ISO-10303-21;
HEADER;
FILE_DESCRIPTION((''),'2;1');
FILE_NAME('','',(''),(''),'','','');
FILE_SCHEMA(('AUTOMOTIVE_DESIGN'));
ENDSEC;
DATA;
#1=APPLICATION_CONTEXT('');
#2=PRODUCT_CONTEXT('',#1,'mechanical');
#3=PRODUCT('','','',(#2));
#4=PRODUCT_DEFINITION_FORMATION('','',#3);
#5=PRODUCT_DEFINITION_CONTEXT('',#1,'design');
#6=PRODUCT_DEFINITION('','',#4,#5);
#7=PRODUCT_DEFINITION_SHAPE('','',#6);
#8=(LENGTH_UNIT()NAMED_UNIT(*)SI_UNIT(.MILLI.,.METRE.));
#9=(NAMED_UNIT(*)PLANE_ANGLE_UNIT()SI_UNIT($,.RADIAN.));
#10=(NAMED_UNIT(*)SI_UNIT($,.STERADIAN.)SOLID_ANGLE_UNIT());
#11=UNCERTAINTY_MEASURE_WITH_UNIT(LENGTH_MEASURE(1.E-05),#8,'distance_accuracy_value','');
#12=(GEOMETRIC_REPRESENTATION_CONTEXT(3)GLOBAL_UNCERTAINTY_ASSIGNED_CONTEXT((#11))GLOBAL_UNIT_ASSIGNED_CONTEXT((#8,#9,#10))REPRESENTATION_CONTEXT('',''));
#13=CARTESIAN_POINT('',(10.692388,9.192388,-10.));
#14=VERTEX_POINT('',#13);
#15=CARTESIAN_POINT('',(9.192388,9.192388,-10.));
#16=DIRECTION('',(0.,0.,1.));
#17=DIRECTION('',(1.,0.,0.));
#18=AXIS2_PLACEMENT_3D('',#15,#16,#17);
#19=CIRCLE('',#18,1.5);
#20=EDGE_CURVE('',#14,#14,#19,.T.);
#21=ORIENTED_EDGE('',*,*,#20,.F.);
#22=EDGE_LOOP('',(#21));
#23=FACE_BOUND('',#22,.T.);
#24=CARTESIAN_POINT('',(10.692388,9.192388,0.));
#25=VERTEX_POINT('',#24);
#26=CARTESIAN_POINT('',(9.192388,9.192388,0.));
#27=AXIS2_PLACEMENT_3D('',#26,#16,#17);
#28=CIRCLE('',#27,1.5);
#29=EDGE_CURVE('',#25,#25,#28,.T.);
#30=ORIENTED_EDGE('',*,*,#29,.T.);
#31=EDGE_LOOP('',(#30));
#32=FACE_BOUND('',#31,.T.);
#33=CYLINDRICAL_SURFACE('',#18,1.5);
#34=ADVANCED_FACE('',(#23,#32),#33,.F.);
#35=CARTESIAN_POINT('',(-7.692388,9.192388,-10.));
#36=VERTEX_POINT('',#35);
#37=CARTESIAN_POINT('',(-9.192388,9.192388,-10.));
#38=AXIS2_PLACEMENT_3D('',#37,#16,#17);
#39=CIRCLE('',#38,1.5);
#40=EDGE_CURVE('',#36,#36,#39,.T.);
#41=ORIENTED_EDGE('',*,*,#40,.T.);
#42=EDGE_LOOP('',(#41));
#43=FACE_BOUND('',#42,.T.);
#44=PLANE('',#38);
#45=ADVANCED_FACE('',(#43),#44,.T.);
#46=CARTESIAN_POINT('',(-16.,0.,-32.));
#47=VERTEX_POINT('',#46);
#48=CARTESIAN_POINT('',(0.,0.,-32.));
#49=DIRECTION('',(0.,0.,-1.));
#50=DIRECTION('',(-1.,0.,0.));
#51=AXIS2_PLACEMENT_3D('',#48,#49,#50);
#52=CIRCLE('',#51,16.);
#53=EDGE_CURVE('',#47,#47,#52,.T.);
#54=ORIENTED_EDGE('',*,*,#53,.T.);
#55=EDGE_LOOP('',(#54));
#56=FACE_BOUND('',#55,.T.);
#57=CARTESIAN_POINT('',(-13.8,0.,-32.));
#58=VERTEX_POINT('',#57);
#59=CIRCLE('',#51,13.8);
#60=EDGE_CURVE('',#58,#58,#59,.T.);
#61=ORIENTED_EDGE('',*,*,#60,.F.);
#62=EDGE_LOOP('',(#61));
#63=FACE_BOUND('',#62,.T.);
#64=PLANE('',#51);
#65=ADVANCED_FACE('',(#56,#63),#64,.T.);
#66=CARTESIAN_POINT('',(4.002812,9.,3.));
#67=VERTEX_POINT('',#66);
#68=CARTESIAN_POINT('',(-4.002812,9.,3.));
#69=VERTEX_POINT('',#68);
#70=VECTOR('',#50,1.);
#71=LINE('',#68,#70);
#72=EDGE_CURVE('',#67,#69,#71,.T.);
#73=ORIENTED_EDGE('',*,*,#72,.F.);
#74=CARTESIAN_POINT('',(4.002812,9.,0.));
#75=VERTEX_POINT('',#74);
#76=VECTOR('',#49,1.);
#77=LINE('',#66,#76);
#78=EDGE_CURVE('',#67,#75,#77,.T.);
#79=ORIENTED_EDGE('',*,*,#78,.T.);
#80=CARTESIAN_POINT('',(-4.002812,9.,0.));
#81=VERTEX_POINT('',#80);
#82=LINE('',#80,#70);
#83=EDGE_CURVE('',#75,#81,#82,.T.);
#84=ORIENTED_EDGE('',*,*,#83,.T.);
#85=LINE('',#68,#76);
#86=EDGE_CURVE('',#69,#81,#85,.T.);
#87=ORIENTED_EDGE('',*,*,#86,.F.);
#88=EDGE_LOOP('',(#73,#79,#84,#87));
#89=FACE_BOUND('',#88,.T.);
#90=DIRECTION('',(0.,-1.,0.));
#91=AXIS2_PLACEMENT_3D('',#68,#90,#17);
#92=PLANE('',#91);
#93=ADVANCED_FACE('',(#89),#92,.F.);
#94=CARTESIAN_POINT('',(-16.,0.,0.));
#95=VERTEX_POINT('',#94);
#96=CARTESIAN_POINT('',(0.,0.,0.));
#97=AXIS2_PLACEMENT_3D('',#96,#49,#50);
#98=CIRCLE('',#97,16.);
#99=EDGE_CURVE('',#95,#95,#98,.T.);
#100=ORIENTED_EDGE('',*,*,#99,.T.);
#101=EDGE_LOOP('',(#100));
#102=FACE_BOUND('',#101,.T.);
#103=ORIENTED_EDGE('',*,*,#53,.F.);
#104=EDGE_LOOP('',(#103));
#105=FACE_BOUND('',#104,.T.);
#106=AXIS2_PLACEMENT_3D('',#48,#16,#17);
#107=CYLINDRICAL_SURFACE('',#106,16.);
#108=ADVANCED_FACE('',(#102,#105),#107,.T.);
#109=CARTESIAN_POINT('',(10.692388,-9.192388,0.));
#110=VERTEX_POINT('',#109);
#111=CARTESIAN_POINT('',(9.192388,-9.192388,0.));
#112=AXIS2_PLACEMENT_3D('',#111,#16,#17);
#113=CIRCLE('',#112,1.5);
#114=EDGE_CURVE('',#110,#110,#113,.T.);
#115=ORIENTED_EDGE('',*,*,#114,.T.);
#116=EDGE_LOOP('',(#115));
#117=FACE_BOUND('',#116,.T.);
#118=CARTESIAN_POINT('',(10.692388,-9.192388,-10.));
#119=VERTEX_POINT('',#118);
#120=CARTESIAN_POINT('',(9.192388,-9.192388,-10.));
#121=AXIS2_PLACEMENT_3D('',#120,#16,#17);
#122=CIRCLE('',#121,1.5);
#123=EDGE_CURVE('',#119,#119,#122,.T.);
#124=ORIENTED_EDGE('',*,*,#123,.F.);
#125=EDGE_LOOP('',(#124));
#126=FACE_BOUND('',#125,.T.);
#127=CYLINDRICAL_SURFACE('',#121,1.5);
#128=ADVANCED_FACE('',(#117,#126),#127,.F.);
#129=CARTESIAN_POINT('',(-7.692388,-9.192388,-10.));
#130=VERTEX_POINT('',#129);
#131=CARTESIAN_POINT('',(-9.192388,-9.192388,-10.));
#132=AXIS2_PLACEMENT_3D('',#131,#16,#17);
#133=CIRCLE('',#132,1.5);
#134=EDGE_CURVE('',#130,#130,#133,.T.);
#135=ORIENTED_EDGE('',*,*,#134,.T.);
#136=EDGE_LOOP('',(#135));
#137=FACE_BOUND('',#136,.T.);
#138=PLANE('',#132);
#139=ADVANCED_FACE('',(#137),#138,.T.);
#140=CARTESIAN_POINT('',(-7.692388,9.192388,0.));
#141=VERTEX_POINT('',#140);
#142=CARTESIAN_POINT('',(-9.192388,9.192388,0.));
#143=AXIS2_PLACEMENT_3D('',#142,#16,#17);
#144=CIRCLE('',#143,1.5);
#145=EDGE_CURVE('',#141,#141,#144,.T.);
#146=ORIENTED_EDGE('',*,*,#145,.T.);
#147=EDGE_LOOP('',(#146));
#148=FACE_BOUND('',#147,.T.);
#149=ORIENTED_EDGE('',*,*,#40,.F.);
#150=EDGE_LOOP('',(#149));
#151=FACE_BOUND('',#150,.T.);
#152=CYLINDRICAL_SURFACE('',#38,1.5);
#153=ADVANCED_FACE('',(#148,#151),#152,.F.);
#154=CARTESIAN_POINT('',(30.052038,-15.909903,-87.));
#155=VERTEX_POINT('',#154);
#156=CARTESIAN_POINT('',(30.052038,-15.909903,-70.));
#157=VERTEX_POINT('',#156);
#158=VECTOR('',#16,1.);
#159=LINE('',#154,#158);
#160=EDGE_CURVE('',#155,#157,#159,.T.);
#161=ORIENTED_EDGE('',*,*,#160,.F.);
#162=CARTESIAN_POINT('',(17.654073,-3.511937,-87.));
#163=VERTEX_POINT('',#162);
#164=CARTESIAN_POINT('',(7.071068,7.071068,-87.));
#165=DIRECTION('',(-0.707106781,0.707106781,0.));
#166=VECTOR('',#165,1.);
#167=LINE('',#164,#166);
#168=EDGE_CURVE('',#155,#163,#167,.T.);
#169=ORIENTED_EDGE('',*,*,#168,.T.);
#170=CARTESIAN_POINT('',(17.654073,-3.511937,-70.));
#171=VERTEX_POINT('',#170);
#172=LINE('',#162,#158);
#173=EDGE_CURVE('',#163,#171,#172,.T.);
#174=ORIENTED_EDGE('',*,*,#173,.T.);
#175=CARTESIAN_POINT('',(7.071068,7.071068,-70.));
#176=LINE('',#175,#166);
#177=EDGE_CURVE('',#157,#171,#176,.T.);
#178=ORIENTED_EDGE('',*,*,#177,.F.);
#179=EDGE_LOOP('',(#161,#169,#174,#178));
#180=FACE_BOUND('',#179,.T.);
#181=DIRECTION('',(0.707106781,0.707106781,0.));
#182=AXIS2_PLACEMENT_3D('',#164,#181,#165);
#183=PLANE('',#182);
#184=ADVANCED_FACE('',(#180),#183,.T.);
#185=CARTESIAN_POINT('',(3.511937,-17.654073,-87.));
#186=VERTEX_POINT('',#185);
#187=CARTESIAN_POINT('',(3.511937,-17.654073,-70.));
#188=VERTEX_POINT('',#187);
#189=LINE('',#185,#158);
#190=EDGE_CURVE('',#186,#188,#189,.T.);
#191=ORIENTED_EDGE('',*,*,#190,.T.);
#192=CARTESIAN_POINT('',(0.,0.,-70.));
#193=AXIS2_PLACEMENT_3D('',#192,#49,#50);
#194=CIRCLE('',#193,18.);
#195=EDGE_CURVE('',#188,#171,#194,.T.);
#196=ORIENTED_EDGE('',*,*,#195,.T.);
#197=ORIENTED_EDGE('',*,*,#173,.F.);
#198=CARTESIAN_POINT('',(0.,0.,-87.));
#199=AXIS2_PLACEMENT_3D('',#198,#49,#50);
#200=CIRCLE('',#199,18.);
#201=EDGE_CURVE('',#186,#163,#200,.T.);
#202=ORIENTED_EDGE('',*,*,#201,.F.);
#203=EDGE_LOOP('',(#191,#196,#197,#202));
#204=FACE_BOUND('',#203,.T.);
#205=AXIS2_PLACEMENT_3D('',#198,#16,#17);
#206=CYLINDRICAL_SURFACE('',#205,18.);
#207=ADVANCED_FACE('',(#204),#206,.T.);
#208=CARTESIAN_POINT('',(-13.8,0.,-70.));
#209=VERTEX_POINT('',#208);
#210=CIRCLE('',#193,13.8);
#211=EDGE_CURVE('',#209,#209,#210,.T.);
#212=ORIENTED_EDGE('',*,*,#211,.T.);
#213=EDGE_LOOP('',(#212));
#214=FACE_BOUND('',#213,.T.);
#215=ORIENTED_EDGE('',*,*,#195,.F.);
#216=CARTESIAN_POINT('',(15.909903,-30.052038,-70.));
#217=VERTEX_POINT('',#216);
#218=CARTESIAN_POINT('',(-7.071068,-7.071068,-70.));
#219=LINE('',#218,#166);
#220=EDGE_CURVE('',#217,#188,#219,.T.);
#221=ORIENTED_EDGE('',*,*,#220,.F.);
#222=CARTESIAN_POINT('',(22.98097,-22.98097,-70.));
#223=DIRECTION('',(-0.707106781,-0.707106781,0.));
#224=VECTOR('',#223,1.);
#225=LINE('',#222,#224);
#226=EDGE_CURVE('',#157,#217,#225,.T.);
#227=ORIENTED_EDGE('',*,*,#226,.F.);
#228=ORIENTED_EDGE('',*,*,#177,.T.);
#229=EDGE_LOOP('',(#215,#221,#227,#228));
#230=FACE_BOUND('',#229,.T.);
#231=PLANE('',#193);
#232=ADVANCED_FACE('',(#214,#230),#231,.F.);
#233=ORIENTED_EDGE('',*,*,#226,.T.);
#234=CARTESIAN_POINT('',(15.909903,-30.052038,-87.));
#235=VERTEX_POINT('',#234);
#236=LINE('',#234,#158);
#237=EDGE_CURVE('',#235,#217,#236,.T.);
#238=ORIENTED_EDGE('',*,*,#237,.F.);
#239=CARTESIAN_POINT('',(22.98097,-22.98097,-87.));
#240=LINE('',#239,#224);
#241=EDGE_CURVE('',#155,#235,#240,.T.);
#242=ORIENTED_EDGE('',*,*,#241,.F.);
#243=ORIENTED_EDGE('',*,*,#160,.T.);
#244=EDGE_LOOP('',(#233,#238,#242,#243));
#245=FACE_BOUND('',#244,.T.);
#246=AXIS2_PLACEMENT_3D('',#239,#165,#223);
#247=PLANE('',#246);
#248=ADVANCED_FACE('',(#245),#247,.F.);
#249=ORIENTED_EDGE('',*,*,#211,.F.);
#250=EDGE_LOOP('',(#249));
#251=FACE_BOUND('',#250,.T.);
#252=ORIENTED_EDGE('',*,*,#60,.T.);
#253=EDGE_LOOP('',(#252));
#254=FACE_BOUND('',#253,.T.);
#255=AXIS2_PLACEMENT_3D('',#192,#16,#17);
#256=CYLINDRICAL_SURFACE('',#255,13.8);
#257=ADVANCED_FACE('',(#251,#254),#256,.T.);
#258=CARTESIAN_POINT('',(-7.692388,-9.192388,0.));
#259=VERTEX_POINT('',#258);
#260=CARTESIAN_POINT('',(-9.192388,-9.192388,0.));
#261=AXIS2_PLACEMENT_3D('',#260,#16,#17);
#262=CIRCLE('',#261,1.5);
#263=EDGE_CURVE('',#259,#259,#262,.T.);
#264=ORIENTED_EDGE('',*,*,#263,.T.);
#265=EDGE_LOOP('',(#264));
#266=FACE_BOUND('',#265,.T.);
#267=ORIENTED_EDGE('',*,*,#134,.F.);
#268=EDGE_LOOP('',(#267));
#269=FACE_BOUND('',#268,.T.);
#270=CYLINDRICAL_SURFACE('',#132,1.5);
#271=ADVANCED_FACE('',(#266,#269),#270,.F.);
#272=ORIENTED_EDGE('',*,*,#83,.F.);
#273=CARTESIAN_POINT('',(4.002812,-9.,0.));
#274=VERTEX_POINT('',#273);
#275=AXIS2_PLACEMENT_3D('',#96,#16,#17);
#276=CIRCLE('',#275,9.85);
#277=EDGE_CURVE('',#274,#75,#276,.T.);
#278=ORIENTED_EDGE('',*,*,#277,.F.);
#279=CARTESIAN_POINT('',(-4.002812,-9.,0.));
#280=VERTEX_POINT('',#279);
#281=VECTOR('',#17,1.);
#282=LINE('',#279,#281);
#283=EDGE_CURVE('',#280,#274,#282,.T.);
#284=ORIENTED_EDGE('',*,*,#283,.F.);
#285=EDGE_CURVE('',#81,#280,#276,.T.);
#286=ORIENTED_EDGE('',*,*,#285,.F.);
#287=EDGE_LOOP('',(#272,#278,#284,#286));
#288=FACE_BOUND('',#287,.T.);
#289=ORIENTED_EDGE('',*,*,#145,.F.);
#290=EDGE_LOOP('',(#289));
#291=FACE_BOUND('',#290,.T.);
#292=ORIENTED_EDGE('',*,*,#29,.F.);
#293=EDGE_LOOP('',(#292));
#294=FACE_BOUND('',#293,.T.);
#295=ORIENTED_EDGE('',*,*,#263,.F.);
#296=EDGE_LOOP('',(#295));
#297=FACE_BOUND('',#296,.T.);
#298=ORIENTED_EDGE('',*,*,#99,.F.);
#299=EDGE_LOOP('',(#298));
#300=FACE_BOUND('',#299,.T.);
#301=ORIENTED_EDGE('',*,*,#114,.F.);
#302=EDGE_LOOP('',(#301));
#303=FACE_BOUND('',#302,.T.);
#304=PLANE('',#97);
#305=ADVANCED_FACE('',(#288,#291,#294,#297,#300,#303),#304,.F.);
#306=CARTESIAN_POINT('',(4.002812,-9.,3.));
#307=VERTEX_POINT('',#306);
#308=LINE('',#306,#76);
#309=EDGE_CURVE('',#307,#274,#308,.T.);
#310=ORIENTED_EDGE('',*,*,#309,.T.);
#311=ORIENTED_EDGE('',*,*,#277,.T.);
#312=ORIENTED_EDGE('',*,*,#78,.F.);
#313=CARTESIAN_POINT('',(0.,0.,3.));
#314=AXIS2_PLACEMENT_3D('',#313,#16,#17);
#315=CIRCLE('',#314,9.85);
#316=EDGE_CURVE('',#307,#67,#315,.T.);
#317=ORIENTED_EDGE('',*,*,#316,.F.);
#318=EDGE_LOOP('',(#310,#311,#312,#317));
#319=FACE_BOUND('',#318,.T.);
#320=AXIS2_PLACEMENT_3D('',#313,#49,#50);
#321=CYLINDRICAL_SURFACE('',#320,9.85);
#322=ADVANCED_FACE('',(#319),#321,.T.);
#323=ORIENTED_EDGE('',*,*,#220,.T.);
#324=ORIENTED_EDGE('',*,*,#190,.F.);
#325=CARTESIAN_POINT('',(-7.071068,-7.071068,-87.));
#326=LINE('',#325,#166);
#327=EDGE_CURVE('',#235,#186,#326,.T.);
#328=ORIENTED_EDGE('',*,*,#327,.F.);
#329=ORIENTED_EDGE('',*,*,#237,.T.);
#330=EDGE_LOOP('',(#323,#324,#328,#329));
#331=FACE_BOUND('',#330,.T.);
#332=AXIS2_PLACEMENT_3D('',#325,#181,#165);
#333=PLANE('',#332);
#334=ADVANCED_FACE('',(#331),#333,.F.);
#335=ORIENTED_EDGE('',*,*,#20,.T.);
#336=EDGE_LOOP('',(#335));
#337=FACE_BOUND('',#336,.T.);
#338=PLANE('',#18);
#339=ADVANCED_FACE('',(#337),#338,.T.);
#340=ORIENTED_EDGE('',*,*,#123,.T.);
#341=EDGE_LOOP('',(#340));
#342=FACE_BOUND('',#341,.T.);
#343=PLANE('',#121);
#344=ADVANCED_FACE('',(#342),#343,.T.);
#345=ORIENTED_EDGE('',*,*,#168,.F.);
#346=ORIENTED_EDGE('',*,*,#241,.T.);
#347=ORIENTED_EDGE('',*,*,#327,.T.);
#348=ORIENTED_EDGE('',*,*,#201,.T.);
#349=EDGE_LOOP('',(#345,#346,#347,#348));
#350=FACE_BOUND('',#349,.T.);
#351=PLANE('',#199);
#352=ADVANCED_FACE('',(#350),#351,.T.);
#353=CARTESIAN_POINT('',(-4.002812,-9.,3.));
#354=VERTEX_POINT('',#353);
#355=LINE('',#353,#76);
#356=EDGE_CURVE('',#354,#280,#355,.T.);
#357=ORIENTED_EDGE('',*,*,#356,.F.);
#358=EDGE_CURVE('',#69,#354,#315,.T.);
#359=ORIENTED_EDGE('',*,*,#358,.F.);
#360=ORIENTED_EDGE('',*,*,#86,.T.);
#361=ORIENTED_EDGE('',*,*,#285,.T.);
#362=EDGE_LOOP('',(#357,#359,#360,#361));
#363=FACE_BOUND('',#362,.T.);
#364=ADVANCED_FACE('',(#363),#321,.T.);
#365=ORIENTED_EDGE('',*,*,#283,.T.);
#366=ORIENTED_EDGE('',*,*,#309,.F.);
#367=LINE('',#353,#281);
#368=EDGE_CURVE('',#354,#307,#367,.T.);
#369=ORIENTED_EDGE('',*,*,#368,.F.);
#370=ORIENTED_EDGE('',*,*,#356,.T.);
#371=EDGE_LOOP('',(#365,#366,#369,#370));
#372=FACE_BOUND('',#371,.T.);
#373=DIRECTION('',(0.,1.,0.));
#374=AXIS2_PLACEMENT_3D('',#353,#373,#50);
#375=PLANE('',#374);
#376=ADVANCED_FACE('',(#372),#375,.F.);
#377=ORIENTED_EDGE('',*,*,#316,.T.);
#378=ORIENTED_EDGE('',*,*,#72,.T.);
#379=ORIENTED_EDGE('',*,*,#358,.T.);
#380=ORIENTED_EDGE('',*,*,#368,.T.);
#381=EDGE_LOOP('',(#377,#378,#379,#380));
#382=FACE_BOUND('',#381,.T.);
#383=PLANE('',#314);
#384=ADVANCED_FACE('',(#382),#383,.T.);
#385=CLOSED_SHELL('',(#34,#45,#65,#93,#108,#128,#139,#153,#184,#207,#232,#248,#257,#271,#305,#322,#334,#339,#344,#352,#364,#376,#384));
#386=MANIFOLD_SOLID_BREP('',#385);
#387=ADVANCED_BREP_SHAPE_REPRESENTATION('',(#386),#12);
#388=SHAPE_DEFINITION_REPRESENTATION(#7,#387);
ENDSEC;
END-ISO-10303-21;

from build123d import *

# Parameters (mm, degrees)
BOSS_EXTRUDE1_DEPTH = 3
SKETCH2_R           = 16
BOSS_EXTRUDE2_DEPTH = 32
SKETCH3_R           = 13.8
BOSS_EXTRUDE3_DEPTH = 38
SKETCH4_R           = 18
SKETCH4_R_2         = 13.8
BOSS_EXTRUDE4_DEPTH = 17
SKETCH6_R           = 1.5
CUT_EXTRUDE1_DEPTH  = 10


with BuildPart() as part:
    # Sketch1 → Boss-Extrude1 (new body)
    with BuildSketch(Plane.XY):
        with BuildLine():
            Line((-4.002811512, 9), (4.002811512, 9))
            ThreePointArc((4.002811512, 9), (9.85, 0), (4.002811512, -9))
            Line((4.002811512, -9), (-4.002811512, -9))
            ThreePointArc((-4.002811512, -9), (-9.85, 0), (-4.002811512, 9))
        make_face()
    extrude(amount=BOSS_EXTRUDE1_DEPTH)

    # Sketch2 → Boss-Extrude2 (add)
    with BuildSketch(Plane(origin=(0, 0, 0), x_dir=(-1, 0, 0), z_dir=(0, 0, -1))):
        Circle(SKETCH2_R)
    extrude(amount=BOSS_EXTRUDE2_DEPTH)

    # Sketch3 → Boss-Extrude3 (add)
    with BuildSketch(Plane(origin=(0, 0, -32), x_dir=(-1, 0, 0), z_dir=(0, 0, -1))):
        Circle(SKETCH3_R)
    extrude(amount=BOSS_EXTRUDE3_DEPTH)

    # Sketch4 → Boss-Extrude4 (add)
    with BuildSketch(Plane(origin=(0, 0, -70), x_dir=(-1, 0, 0), z_dir=(0, 0, -1))):
        Circle(SKETCH4_R)
        Circle(SKETCH4_R_2, mode=Mode.SUBTRACT)
        Circle(SKETCH4_R_2)
        with BuildLine():
            Line((-17.654073056, -3.511937432), (-30.0520382, -15.909902577))
            Line((-30.0520382, -15.909902577), (-15.909902577, -30.0520382))
            Line((-15.909902577, -30.0520382), (-3.511937432, -17.654073056))
            ThreePointArc((-3.511937432, -17.654073056), (-12.727922061, -12.727922061), (-17.654073056, -3.511937432))
        make_face()
    extrude(amount=BOSS_EXTRUDE4_DEPTH)

    # Sketch6 → Cut-Extrude1 (cut)
    with BuildSketch(Plane.XY):
        with Locations((-9.192388155, 9.192388155)):
            Circle(SKETCH6_R)
        with Locations((9.192388155, 9.192388155)):
            Circle(SKETCH6_R)
        with Locations((9.192388155, -9.192388155)):
            Circle(SKETCH6_R)
        with Locations((-9.192388155, -9.192388155)):
            Circle(SKETCH6_R)
    extrude(amount=-CUT_EXTRUDE1_DEPTH, mode=Mode.SUBTRACT)


solid = part.part
